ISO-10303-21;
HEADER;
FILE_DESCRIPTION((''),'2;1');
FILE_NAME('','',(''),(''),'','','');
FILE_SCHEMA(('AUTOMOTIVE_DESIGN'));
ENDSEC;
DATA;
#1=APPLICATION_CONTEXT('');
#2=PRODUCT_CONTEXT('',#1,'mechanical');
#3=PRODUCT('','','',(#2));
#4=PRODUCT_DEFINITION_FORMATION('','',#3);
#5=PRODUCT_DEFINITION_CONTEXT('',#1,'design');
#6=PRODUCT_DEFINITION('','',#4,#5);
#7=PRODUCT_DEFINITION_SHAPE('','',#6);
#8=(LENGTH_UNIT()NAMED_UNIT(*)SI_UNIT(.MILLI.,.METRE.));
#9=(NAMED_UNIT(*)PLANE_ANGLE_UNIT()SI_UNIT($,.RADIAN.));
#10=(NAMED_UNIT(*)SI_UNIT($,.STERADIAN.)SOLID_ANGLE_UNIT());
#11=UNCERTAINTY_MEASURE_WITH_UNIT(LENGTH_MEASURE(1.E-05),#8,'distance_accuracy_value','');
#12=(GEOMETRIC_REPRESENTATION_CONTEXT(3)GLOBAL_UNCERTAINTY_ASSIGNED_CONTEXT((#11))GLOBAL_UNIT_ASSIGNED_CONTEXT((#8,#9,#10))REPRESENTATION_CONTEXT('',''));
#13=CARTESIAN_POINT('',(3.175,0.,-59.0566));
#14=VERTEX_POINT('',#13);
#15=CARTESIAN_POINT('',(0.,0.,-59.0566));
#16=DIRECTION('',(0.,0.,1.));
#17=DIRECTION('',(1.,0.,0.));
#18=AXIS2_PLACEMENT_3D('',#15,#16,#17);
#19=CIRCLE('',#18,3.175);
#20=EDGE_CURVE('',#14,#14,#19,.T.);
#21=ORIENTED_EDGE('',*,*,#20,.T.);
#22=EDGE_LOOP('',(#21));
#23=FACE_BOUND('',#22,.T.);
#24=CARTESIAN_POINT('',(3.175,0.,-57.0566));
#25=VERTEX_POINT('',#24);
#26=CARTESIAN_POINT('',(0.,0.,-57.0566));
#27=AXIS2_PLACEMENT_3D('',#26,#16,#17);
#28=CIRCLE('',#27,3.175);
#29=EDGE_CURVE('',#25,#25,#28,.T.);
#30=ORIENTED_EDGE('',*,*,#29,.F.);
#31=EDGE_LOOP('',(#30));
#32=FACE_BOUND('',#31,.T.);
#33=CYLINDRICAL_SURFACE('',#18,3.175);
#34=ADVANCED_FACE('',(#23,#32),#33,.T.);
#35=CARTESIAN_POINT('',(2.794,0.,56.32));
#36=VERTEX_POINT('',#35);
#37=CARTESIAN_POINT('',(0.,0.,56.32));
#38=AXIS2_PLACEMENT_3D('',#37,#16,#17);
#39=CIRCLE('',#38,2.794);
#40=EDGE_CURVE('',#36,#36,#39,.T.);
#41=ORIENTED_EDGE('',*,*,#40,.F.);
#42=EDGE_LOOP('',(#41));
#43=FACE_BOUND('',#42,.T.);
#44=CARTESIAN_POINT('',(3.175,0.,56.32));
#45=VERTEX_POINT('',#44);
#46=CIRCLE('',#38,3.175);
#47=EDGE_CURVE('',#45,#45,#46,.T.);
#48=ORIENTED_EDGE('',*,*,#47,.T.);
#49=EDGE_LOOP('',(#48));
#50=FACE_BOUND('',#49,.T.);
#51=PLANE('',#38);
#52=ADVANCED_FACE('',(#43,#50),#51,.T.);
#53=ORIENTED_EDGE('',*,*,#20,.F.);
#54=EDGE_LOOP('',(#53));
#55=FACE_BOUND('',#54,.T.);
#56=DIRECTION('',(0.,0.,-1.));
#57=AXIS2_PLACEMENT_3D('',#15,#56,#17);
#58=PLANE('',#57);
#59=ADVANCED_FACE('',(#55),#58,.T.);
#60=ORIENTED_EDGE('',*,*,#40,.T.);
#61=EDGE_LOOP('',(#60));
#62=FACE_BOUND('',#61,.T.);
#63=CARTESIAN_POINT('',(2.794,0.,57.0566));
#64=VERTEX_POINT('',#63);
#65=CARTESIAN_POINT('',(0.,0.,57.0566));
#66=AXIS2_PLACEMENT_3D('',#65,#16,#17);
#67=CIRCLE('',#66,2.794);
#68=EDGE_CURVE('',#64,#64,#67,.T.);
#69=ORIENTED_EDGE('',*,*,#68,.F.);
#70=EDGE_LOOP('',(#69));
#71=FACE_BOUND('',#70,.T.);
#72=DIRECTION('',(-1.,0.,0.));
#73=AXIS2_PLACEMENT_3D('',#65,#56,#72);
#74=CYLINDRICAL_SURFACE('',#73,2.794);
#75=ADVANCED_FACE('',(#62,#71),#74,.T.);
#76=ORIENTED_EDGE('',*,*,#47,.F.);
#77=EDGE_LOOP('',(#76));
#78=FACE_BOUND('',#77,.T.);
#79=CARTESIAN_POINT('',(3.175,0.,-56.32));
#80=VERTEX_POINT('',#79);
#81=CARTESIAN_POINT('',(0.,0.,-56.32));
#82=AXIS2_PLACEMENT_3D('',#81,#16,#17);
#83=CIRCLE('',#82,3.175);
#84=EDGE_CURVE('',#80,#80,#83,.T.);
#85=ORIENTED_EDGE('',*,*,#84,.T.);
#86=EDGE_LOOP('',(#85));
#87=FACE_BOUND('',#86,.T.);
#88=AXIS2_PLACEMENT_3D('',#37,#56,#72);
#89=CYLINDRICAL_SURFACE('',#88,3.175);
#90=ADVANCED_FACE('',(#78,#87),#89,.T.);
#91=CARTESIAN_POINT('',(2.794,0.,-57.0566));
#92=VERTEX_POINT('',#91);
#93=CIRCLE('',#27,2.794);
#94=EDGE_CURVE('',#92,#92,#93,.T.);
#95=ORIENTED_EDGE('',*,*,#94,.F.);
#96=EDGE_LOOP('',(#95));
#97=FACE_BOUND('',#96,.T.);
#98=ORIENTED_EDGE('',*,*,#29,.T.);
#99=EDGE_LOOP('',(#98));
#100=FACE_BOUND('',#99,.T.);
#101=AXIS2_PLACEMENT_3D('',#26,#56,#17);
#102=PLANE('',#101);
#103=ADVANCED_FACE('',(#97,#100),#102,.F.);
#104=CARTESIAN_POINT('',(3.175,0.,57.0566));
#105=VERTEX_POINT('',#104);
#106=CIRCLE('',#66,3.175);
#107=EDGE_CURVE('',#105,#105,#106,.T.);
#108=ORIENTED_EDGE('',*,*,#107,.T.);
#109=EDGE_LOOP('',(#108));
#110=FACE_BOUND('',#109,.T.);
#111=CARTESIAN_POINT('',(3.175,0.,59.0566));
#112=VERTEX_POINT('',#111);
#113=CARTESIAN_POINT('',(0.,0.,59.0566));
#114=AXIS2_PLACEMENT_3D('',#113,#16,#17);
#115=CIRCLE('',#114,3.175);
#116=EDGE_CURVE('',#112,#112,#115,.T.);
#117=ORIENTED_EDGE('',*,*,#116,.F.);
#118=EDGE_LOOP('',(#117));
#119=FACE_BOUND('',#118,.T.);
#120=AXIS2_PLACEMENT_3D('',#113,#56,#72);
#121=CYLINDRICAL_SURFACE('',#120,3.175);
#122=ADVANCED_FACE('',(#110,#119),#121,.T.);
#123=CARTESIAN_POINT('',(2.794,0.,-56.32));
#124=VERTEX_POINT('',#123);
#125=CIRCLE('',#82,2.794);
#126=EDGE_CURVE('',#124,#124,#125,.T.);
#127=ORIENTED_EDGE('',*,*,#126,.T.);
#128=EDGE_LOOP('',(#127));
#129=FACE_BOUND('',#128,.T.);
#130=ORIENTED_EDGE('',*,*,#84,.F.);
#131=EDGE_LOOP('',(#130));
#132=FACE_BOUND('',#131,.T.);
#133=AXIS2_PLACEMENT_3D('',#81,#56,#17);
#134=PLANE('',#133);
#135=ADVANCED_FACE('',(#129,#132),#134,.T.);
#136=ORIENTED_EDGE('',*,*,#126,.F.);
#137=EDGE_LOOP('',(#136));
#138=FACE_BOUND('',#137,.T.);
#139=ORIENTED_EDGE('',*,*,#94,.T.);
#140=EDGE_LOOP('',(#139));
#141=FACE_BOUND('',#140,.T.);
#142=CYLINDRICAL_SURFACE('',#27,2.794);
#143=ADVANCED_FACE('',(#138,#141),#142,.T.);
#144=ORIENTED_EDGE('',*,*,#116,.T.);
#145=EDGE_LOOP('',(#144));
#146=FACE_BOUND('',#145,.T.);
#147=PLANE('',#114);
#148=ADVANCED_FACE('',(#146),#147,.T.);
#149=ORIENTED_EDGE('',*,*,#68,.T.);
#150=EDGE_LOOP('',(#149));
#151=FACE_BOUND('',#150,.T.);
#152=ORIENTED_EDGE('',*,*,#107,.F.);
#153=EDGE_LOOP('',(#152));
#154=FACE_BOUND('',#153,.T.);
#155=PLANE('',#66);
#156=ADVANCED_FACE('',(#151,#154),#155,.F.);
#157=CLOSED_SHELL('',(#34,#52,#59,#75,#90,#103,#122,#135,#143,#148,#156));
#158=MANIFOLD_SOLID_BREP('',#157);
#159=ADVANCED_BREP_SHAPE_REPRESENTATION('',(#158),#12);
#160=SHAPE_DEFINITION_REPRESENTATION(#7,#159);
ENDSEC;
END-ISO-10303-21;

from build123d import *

# Parameters (mm, degrees)
SKETCH2_R           = 3.175
BOSS_EXTRUDE1_DEPTH = 56.32
SKETCH3_R           = 2.794
BOSS_EXTRUDE2_DEPTH = 0.7366
SKETCH4_R           = 3.175
BOSS_EXTRUDE3_DEPTH = 2


with BuildPart() as part:
    # Sketch2 → Boss-Extrude1 (new body)
    with BuildSketch(Plane.XY):
        Circle(SKETCH2_R)
    boss_extrude1 = extrude(amount=BOSS_EXTRUDE1_DEPTH)

    # Sketch3 → Boss-Extrude2 (add)
    with BuildSketch(Plane.XY.offset(56.32)):
        Circle(SKETCH3_R)
    boss_extrude2 = extrude(amount=BOSS_EXTRUDE2_DEPTH)

    # Sketch4 → Boss-Extrude3 (add)
    with BuildSketch(Plane.XY.offset(57.0566)):
        Circle(SKETCH4_R)
    boss_extrude3 = extrude(amount=BOSS_EXTRUDE3_DEPTH)

    # Mirror1: Boss-Extrude1, Boss-Extrude2, Boss-Extrude3 across plane
    add(boss_extrude1.mirror(Plane.XY))
    add(boss_extrude2.mirror(Plane.XY))
    add(boss_extrude3.mirror(Plane.XY))


solid = part.part
